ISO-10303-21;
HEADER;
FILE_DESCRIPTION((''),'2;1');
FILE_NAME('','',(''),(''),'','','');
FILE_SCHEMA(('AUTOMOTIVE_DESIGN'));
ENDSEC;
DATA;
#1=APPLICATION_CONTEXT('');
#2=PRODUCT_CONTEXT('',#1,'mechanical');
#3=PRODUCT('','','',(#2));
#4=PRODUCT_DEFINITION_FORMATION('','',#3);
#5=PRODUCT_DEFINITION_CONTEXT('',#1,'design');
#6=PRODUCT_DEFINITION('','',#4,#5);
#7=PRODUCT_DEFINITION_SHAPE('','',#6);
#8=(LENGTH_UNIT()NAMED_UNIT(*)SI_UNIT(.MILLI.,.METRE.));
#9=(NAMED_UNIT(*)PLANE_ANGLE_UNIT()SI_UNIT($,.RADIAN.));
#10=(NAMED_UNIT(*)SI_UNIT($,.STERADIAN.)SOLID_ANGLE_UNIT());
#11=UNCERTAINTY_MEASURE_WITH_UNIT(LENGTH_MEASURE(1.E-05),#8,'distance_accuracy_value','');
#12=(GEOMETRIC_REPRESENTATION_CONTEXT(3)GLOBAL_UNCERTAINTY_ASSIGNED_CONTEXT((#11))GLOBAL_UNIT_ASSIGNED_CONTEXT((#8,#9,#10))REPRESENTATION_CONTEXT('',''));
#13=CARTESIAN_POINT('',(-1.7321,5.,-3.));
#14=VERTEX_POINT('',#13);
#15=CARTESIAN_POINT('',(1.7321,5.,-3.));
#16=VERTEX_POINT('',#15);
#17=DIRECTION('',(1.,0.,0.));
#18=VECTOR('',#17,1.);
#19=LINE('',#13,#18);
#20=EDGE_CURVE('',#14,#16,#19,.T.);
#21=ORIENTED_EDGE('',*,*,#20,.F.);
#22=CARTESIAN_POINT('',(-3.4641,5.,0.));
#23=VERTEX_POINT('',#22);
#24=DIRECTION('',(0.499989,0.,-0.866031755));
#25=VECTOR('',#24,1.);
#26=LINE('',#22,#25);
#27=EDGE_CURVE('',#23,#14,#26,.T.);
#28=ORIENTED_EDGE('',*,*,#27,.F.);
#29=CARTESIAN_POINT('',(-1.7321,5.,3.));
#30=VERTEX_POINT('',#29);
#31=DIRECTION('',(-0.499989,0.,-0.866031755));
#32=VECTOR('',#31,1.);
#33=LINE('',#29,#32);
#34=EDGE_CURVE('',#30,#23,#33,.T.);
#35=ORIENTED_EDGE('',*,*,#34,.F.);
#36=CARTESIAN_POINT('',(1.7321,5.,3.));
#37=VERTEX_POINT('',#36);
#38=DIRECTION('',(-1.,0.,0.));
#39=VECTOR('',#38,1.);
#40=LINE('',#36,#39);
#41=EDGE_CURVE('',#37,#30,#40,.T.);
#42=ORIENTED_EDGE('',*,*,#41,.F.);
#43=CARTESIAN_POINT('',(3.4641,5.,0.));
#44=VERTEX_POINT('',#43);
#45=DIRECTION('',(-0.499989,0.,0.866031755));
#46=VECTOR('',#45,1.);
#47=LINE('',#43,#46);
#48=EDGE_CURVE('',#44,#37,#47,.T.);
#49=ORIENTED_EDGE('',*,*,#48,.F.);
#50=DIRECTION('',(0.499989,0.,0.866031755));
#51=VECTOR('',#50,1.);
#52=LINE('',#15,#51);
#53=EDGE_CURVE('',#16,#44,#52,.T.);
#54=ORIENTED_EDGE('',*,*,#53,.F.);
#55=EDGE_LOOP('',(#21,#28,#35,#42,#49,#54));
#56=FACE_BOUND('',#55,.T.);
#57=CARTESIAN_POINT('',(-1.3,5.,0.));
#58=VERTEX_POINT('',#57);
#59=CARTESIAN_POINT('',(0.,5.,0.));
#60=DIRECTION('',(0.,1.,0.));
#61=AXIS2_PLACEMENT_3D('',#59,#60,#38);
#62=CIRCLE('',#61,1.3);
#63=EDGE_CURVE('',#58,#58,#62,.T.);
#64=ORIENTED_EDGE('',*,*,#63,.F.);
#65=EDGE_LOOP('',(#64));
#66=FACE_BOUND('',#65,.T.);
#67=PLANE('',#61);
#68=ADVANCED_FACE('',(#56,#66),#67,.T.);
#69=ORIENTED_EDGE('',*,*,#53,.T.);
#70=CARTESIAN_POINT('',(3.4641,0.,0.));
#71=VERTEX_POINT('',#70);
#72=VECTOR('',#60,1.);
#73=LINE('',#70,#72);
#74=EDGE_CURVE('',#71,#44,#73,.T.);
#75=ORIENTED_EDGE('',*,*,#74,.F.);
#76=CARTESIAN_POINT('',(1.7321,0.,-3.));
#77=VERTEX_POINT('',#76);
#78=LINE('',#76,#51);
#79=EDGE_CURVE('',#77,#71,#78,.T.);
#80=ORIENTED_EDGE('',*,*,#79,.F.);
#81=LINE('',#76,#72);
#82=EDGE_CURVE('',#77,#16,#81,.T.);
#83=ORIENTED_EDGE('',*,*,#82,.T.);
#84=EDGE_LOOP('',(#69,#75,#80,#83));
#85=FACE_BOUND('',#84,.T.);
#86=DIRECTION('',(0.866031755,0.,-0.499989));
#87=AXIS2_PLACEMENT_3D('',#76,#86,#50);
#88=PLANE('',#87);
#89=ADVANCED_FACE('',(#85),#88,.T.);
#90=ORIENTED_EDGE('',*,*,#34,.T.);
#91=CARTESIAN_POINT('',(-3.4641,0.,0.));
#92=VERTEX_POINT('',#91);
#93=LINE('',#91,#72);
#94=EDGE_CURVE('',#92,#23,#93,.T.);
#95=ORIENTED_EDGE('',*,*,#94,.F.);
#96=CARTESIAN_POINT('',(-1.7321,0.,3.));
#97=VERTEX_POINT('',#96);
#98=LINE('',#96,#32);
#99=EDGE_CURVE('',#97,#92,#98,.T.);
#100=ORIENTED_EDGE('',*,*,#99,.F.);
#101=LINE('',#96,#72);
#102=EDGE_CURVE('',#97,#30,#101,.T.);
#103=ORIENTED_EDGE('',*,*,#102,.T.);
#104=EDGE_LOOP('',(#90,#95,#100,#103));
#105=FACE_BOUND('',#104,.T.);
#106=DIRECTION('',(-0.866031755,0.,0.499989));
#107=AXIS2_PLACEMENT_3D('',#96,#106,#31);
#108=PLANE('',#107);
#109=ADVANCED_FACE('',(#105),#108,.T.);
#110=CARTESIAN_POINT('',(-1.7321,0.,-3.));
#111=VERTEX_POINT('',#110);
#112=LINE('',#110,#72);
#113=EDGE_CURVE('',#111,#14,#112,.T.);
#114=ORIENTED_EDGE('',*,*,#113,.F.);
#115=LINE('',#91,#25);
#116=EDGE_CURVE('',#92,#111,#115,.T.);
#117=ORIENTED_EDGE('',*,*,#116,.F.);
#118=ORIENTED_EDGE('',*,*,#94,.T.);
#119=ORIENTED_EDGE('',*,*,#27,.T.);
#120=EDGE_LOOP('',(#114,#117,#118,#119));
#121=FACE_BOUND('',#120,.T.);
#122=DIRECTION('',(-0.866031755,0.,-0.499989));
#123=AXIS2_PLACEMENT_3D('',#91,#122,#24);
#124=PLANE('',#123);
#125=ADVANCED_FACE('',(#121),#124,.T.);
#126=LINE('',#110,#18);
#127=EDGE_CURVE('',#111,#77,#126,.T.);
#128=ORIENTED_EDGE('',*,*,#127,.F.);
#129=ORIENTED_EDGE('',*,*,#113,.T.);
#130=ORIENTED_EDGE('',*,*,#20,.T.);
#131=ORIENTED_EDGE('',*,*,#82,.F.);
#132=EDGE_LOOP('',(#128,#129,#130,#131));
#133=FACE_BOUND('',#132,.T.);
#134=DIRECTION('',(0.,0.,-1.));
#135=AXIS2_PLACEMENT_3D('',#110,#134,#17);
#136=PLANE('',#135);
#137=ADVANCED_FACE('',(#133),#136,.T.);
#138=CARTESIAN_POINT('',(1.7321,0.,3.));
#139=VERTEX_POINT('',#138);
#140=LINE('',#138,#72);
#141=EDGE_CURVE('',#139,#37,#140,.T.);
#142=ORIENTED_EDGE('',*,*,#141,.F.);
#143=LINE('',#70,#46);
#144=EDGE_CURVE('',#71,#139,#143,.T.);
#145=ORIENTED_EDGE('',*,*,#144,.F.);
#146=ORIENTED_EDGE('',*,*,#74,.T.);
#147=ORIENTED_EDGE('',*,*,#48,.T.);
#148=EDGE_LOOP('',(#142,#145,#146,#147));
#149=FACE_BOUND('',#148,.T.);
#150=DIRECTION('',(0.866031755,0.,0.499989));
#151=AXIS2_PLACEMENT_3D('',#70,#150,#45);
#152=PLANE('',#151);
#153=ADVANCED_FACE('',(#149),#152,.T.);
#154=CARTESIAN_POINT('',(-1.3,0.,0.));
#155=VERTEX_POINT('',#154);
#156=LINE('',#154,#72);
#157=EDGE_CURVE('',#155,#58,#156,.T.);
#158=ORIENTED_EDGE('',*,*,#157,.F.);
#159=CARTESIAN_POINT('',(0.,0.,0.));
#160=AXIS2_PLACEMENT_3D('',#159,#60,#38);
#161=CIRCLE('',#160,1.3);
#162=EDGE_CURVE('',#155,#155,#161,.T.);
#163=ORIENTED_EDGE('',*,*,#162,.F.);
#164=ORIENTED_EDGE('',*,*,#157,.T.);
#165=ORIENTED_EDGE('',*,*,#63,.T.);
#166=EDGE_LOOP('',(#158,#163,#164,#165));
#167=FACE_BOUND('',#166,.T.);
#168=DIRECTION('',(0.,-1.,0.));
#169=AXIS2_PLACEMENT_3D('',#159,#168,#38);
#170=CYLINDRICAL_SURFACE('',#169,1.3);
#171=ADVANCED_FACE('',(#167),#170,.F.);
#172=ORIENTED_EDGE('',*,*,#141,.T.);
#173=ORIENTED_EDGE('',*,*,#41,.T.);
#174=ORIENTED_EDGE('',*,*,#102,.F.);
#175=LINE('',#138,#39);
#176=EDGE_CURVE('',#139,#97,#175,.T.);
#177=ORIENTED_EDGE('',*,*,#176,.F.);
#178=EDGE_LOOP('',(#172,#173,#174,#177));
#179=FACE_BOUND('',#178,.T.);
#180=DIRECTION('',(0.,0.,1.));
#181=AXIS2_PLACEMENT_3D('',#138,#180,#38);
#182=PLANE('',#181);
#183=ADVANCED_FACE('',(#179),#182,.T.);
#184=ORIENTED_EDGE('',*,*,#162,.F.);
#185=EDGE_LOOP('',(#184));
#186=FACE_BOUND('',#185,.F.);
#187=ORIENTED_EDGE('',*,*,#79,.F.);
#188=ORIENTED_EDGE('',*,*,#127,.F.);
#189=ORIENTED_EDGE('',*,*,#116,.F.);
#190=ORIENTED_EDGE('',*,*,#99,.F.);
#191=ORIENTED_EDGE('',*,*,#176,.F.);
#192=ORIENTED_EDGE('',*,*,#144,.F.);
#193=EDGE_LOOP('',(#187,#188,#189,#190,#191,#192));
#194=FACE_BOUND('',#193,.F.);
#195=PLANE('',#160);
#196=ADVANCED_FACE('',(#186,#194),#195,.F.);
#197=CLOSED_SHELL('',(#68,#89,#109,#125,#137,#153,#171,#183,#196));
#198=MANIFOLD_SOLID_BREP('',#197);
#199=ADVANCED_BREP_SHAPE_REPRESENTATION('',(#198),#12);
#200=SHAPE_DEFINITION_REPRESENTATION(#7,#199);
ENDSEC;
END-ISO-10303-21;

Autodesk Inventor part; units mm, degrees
ref_plane "YZ Plane" through (0, 0, 0) normal (1, 0, 0) x (0, 1, 0)
ref_plane "XZ Plane" through (0, 0, 0) normal (0, 1, 0) x (-1, 0, 0)
ref_plane "XY Plane" through (0, 0, 0) normal (0, 0, 1) x (1, 0, 0)
sketch "Sketch1" plane through (0, 0, 0) normal (0, 1, 0) x (-1, 0, 0)
  line L0 (3.4641, 0) -> (1.7321, -3)
  line L1 (1.7321, -3) -> (-1.7321, -3)
  line L2 (-1.7321, -3) -> (-3.4641, 0)
  line L3 (-3.4641, 0) -> (-1.7321, 3)
  line L4 (-1.7321, 3) -> (1.7321, 3)
  line L5 (1.7321, 3) -> (3.4641, 0)
  circle A0 centre (0, 0) radius 1.3
  dimension "d0" = 6
  dimension "d1" = 2.6
  dimension "d5" = 3
extrude "Extrusion1" add sketch "Sketch1" along normal blind 5
properties part number "spacer-5mm_2-6"
